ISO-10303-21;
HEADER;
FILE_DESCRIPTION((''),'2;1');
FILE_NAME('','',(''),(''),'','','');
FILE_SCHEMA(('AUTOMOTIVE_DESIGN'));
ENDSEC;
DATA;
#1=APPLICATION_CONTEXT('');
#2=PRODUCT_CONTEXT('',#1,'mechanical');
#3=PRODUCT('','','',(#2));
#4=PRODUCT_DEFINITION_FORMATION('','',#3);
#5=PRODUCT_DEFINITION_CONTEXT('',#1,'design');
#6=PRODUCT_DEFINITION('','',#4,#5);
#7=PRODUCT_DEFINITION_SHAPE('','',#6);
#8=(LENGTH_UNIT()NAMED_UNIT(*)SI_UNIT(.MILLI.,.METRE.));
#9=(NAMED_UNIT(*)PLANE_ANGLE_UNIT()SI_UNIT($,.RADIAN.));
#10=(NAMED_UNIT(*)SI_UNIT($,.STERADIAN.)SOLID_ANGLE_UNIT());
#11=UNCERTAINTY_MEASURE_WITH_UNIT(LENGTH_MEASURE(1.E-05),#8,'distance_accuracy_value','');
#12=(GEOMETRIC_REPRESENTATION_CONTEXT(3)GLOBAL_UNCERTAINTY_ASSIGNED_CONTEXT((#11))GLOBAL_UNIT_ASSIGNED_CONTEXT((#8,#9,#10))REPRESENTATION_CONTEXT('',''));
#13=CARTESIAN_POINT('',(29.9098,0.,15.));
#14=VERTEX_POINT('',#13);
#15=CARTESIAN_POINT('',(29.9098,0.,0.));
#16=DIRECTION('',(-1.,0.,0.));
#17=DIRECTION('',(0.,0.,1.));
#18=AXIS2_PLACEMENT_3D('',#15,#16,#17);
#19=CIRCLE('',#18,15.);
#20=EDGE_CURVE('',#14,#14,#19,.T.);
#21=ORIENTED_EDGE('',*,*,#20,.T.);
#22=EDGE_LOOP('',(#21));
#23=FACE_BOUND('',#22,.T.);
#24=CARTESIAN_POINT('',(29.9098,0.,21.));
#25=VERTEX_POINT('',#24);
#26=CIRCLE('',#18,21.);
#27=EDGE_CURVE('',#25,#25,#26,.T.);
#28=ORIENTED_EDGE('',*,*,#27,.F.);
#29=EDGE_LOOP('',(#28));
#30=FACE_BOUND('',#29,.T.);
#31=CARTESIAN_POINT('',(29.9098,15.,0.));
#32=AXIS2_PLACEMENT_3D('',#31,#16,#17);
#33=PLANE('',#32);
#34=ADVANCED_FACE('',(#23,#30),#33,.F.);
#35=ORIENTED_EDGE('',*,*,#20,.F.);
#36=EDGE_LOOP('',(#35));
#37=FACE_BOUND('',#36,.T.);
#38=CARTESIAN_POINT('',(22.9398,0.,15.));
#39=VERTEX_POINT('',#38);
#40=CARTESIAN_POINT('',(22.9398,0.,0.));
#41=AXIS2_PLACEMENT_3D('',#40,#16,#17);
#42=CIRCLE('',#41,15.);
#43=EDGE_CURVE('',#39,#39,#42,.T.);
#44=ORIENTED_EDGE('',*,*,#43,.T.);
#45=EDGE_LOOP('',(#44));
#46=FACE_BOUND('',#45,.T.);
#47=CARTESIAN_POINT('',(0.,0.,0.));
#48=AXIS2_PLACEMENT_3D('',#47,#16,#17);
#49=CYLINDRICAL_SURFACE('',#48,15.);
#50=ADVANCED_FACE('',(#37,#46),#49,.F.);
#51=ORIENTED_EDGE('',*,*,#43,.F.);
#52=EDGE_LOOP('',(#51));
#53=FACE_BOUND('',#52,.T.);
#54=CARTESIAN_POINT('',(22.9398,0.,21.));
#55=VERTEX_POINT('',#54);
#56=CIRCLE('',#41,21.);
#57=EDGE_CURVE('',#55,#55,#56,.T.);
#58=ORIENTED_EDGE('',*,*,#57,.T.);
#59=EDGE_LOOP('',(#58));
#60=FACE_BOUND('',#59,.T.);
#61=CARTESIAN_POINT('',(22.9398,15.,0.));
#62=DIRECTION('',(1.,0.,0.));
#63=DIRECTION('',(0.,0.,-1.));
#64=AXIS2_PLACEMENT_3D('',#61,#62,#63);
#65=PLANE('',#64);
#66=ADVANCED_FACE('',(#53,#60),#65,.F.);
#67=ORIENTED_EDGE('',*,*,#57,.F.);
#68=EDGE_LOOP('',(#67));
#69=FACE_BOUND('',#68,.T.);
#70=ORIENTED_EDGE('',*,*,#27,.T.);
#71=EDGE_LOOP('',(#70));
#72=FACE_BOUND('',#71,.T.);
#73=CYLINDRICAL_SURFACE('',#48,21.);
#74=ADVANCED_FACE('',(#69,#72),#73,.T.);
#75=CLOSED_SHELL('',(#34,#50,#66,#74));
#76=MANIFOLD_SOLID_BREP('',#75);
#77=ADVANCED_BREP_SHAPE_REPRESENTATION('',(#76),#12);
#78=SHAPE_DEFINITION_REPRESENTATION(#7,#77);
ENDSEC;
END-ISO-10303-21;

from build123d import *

# Parameters (mm, degrees)
SKETCH3_W = 6.97000003
SKETCH3_H = 6.000000065


with BuildPart() as part:
    # Sketch3 → Revolve1 (revolve)
    with BuildSketch(Plane.XY):
        with Locations((26.424799957, 18.000000005)):
            Rectangle(SKETCH3_W, SKETCH3_H)
    revolve(axis=Axis((0, 0, 0), (1, 0, 0)))


solid = part.part
